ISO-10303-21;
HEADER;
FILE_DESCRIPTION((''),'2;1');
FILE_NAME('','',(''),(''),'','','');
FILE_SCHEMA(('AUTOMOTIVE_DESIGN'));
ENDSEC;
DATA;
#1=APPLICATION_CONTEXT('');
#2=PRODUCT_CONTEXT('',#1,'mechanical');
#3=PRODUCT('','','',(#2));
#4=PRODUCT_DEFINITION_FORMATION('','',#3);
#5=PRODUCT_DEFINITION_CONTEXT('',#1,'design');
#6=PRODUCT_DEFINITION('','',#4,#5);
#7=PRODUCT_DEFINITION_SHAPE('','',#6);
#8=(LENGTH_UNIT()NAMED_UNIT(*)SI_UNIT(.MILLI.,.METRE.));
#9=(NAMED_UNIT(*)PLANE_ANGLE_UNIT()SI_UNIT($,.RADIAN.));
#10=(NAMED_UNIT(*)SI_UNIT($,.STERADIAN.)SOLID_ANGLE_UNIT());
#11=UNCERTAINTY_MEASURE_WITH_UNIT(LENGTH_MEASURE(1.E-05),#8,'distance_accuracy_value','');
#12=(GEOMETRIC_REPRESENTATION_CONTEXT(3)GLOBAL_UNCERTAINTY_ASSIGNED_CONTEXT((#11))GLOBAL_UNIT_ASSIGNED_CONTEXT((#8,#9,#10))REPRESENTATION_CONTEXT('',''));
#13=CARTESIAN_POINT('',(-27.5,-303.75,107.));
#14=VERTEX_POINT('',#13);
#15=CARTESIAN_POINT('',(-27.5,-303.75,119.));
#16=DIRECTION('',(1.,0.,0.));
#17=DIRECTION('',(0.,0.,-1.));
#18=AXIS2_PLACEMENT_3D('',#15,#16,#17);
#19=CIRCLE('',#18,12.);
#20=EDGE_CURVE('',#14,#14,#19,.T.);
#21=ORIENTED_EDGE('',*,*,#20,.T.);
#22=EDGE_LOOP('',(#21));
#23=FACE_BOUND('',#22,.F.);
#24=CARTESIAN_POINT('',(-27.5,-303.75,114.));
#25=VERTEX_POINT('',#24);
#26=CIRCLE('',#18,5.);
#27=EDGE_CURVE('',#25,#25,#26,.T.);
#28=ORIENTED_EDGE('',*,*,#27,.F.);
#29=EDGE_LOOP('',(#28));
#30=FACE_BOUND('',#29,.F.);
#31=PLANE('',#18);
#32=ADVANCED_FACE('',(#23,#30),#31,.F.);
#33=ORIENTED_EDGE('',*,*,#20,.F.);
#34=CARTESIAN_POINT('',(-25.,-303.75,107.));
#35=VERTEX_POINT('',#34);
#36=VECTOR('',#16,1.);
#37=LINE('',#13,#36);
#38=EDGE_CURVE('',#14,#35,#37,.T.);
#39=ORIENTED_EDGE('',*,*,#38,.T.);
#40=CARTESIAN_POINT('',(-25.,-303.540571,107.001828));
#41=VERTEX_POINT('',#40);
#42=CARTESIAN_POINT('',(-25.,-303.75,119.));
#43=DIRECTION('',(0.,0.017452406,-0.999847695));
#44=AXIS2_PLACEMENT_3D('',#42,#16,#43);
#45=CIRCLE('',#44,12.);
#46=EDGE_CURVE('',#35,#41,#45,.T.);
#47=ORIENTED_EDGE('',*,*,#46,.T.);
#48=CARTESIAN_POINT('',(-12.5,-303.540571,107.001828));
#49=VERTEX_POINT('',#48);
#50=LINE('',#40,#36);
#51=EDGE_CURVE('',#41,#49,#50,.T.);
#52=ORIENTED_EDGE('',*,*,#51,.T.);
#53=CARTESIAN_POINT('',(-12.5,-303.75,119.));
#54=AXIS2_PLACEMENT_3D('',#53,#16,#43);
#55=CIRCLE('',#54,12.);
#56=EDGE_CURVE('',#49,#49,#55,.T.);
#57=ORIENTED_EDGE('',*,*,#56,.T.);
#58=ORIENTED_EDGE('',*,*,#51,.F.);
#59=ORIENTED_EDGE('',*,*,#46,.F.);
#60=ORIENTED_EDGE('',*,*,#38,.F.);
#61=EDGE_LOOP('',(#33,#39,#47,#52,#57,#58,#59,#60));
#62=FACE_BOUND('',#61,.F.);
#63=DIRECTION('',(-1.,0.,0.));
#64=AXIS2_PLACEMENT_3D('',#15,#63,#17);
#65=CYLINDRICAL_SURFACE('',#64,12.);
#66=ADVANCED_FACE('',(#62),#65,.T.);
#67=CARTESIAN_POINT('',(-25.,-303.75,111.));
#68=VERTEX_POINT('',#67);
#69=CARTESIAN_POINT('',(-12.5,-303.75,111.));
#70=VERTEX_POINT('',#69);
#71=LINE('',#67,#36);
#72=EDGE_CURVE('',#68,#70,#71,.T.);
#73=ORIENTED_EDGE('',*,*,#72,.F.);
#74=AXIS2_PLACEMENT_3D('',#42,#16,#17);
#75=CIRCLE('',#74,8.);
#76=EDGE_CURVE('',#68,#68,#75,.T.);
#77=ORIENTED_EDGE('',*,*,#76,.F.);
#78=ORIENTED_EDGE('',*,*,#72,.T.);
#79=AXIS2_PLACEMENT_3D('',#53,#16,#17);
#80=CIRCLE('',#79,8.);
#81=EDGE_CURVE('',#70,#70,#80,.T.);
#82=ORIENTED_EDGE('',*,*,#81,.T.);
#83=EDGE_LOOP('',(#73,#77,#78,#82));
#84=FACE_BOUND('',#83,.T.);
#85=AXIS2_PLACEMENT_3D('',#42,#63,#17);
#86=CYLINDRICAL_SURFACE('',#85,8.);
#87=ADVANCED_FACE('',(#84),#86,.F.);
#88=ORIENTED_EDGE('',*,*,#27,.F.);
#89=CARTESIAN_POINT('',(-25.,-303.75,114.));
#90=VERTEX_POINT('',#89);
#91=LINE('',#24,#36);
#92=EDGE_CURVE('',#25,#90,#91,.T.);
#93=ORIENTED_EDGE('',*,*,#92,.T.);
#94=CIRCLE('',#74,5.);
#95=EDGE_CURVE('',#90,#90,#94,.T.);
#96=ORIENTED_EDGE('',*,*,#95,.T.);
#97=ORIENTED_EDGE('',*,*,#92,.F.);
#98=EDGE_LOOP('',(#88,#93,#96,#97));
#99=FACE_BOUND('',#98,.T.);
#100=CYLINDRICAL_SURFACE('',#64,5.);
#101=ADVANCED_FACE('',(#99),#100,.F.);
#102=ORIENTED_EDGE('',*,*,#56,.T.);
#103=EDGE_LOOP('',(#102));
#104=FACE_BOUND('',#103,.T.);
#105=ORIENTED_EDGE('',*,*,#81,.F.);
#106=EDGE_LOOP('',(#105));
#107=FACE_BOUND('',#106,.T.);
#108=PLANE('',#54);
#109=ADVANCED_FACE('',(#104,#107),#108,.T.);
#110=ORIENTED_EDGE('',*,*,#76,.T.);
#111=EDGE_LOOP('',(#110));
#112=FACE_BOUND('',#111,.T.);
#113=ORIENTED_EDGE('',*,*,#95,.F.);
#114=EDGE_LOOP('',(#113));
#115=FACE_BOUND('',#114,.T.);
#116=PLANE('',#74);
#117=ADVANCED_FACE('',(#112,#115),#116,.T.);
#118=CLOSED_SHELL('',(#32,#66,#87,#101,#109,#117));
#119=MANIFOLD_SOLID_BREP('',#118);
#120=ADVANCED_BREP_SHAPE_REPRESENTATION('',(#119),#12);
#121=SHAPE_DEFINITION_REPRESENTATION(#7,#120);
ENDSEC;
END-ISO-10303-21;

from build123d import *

# Parameters (mm, degrees)
CYLINDER024_R               = 5
CYLINDER024_DEPTH           = 2.5
CYLINDER019_R               = 12
CYLINDER019_DEPTH           = 2.5
CYLINDER027_R               = 8
CYLINDER027_DEPTH           = 12.5
CYLINDER026_R               = 12
CYLINDER026_DEPTH           = 12.5
CYLINDER026_PLACEMENT_ANGLE = 1
FUSION038_PLACEMENT_ANGLE   = 90


with BuildPart() as largeplughole:
    # Cylinder024 → Cylinder024 (new body)
    with BuildSketch(Plane.XY):
        Circle(CYLINDER024_R)
    extrude(amount=CYLINDER024_DEPTH)


with BuildPart() as largeplugbase001:
    # Cylinder019 → Cylinder019 (new body)
    with BuildSketch(Plane.XY):
        Circle(CYLINDER019_R)
    extrude(amount=CYLINDER019_DEPTH)

    # Cut008: cut LargePlugHole
    add(largeplughole.part, mode=Mode.SUBTRACT)


with BuildPart() as largeplugwallhole:
    # Cylinder027 → Cylinder027 (new body)
    with BuildSketch(Plane.XY.offset(2.5)):
        Circle(CYLINDER027_R)
    extrude(amount=CYLINDER027_DEPTH)


with BuildPart() as flow_sensor_out_adapter:
    # Cylinder026 → Cylinder026 (new body)
    with BuildSketch(Plane.XY):
        Circle(CYLINDER026_R)
    extrude(amount=CYLINDER026_DEPTH)


with BuildPart() as flow_sensor_out_adapter_1:
    # Cylinder026 placement: moved
    add(flow_sensor_out_adapter.part.moved(Location((0, 0, 2.5))).rotate(Axis((0, 0, 2.5), (0, 0, 1)), CYLINDER026_PLACEMENT_ANGLE))

    # Cut007: cut LargePlugWallHole
    add(largeplugwallhole.part, mode=Mode.SUBTRACT)

    # Fusion038: union LargePlugBase001
    add(largeplugbase001.part)


with BuildPart() as flow_sensor_out_adapter_2:
    # Fusion038 placement: moved
    add(flow_sensor_out_adapter_1.part.moved(Location((-27.5, -303.75, 119))).rotate(Axis((-27.5, -303.75, 119), (0, 1, 0)), FUSION038_PLACEMENT_ANGLE))


solid = flow_sensor_out_adapter_2.part
